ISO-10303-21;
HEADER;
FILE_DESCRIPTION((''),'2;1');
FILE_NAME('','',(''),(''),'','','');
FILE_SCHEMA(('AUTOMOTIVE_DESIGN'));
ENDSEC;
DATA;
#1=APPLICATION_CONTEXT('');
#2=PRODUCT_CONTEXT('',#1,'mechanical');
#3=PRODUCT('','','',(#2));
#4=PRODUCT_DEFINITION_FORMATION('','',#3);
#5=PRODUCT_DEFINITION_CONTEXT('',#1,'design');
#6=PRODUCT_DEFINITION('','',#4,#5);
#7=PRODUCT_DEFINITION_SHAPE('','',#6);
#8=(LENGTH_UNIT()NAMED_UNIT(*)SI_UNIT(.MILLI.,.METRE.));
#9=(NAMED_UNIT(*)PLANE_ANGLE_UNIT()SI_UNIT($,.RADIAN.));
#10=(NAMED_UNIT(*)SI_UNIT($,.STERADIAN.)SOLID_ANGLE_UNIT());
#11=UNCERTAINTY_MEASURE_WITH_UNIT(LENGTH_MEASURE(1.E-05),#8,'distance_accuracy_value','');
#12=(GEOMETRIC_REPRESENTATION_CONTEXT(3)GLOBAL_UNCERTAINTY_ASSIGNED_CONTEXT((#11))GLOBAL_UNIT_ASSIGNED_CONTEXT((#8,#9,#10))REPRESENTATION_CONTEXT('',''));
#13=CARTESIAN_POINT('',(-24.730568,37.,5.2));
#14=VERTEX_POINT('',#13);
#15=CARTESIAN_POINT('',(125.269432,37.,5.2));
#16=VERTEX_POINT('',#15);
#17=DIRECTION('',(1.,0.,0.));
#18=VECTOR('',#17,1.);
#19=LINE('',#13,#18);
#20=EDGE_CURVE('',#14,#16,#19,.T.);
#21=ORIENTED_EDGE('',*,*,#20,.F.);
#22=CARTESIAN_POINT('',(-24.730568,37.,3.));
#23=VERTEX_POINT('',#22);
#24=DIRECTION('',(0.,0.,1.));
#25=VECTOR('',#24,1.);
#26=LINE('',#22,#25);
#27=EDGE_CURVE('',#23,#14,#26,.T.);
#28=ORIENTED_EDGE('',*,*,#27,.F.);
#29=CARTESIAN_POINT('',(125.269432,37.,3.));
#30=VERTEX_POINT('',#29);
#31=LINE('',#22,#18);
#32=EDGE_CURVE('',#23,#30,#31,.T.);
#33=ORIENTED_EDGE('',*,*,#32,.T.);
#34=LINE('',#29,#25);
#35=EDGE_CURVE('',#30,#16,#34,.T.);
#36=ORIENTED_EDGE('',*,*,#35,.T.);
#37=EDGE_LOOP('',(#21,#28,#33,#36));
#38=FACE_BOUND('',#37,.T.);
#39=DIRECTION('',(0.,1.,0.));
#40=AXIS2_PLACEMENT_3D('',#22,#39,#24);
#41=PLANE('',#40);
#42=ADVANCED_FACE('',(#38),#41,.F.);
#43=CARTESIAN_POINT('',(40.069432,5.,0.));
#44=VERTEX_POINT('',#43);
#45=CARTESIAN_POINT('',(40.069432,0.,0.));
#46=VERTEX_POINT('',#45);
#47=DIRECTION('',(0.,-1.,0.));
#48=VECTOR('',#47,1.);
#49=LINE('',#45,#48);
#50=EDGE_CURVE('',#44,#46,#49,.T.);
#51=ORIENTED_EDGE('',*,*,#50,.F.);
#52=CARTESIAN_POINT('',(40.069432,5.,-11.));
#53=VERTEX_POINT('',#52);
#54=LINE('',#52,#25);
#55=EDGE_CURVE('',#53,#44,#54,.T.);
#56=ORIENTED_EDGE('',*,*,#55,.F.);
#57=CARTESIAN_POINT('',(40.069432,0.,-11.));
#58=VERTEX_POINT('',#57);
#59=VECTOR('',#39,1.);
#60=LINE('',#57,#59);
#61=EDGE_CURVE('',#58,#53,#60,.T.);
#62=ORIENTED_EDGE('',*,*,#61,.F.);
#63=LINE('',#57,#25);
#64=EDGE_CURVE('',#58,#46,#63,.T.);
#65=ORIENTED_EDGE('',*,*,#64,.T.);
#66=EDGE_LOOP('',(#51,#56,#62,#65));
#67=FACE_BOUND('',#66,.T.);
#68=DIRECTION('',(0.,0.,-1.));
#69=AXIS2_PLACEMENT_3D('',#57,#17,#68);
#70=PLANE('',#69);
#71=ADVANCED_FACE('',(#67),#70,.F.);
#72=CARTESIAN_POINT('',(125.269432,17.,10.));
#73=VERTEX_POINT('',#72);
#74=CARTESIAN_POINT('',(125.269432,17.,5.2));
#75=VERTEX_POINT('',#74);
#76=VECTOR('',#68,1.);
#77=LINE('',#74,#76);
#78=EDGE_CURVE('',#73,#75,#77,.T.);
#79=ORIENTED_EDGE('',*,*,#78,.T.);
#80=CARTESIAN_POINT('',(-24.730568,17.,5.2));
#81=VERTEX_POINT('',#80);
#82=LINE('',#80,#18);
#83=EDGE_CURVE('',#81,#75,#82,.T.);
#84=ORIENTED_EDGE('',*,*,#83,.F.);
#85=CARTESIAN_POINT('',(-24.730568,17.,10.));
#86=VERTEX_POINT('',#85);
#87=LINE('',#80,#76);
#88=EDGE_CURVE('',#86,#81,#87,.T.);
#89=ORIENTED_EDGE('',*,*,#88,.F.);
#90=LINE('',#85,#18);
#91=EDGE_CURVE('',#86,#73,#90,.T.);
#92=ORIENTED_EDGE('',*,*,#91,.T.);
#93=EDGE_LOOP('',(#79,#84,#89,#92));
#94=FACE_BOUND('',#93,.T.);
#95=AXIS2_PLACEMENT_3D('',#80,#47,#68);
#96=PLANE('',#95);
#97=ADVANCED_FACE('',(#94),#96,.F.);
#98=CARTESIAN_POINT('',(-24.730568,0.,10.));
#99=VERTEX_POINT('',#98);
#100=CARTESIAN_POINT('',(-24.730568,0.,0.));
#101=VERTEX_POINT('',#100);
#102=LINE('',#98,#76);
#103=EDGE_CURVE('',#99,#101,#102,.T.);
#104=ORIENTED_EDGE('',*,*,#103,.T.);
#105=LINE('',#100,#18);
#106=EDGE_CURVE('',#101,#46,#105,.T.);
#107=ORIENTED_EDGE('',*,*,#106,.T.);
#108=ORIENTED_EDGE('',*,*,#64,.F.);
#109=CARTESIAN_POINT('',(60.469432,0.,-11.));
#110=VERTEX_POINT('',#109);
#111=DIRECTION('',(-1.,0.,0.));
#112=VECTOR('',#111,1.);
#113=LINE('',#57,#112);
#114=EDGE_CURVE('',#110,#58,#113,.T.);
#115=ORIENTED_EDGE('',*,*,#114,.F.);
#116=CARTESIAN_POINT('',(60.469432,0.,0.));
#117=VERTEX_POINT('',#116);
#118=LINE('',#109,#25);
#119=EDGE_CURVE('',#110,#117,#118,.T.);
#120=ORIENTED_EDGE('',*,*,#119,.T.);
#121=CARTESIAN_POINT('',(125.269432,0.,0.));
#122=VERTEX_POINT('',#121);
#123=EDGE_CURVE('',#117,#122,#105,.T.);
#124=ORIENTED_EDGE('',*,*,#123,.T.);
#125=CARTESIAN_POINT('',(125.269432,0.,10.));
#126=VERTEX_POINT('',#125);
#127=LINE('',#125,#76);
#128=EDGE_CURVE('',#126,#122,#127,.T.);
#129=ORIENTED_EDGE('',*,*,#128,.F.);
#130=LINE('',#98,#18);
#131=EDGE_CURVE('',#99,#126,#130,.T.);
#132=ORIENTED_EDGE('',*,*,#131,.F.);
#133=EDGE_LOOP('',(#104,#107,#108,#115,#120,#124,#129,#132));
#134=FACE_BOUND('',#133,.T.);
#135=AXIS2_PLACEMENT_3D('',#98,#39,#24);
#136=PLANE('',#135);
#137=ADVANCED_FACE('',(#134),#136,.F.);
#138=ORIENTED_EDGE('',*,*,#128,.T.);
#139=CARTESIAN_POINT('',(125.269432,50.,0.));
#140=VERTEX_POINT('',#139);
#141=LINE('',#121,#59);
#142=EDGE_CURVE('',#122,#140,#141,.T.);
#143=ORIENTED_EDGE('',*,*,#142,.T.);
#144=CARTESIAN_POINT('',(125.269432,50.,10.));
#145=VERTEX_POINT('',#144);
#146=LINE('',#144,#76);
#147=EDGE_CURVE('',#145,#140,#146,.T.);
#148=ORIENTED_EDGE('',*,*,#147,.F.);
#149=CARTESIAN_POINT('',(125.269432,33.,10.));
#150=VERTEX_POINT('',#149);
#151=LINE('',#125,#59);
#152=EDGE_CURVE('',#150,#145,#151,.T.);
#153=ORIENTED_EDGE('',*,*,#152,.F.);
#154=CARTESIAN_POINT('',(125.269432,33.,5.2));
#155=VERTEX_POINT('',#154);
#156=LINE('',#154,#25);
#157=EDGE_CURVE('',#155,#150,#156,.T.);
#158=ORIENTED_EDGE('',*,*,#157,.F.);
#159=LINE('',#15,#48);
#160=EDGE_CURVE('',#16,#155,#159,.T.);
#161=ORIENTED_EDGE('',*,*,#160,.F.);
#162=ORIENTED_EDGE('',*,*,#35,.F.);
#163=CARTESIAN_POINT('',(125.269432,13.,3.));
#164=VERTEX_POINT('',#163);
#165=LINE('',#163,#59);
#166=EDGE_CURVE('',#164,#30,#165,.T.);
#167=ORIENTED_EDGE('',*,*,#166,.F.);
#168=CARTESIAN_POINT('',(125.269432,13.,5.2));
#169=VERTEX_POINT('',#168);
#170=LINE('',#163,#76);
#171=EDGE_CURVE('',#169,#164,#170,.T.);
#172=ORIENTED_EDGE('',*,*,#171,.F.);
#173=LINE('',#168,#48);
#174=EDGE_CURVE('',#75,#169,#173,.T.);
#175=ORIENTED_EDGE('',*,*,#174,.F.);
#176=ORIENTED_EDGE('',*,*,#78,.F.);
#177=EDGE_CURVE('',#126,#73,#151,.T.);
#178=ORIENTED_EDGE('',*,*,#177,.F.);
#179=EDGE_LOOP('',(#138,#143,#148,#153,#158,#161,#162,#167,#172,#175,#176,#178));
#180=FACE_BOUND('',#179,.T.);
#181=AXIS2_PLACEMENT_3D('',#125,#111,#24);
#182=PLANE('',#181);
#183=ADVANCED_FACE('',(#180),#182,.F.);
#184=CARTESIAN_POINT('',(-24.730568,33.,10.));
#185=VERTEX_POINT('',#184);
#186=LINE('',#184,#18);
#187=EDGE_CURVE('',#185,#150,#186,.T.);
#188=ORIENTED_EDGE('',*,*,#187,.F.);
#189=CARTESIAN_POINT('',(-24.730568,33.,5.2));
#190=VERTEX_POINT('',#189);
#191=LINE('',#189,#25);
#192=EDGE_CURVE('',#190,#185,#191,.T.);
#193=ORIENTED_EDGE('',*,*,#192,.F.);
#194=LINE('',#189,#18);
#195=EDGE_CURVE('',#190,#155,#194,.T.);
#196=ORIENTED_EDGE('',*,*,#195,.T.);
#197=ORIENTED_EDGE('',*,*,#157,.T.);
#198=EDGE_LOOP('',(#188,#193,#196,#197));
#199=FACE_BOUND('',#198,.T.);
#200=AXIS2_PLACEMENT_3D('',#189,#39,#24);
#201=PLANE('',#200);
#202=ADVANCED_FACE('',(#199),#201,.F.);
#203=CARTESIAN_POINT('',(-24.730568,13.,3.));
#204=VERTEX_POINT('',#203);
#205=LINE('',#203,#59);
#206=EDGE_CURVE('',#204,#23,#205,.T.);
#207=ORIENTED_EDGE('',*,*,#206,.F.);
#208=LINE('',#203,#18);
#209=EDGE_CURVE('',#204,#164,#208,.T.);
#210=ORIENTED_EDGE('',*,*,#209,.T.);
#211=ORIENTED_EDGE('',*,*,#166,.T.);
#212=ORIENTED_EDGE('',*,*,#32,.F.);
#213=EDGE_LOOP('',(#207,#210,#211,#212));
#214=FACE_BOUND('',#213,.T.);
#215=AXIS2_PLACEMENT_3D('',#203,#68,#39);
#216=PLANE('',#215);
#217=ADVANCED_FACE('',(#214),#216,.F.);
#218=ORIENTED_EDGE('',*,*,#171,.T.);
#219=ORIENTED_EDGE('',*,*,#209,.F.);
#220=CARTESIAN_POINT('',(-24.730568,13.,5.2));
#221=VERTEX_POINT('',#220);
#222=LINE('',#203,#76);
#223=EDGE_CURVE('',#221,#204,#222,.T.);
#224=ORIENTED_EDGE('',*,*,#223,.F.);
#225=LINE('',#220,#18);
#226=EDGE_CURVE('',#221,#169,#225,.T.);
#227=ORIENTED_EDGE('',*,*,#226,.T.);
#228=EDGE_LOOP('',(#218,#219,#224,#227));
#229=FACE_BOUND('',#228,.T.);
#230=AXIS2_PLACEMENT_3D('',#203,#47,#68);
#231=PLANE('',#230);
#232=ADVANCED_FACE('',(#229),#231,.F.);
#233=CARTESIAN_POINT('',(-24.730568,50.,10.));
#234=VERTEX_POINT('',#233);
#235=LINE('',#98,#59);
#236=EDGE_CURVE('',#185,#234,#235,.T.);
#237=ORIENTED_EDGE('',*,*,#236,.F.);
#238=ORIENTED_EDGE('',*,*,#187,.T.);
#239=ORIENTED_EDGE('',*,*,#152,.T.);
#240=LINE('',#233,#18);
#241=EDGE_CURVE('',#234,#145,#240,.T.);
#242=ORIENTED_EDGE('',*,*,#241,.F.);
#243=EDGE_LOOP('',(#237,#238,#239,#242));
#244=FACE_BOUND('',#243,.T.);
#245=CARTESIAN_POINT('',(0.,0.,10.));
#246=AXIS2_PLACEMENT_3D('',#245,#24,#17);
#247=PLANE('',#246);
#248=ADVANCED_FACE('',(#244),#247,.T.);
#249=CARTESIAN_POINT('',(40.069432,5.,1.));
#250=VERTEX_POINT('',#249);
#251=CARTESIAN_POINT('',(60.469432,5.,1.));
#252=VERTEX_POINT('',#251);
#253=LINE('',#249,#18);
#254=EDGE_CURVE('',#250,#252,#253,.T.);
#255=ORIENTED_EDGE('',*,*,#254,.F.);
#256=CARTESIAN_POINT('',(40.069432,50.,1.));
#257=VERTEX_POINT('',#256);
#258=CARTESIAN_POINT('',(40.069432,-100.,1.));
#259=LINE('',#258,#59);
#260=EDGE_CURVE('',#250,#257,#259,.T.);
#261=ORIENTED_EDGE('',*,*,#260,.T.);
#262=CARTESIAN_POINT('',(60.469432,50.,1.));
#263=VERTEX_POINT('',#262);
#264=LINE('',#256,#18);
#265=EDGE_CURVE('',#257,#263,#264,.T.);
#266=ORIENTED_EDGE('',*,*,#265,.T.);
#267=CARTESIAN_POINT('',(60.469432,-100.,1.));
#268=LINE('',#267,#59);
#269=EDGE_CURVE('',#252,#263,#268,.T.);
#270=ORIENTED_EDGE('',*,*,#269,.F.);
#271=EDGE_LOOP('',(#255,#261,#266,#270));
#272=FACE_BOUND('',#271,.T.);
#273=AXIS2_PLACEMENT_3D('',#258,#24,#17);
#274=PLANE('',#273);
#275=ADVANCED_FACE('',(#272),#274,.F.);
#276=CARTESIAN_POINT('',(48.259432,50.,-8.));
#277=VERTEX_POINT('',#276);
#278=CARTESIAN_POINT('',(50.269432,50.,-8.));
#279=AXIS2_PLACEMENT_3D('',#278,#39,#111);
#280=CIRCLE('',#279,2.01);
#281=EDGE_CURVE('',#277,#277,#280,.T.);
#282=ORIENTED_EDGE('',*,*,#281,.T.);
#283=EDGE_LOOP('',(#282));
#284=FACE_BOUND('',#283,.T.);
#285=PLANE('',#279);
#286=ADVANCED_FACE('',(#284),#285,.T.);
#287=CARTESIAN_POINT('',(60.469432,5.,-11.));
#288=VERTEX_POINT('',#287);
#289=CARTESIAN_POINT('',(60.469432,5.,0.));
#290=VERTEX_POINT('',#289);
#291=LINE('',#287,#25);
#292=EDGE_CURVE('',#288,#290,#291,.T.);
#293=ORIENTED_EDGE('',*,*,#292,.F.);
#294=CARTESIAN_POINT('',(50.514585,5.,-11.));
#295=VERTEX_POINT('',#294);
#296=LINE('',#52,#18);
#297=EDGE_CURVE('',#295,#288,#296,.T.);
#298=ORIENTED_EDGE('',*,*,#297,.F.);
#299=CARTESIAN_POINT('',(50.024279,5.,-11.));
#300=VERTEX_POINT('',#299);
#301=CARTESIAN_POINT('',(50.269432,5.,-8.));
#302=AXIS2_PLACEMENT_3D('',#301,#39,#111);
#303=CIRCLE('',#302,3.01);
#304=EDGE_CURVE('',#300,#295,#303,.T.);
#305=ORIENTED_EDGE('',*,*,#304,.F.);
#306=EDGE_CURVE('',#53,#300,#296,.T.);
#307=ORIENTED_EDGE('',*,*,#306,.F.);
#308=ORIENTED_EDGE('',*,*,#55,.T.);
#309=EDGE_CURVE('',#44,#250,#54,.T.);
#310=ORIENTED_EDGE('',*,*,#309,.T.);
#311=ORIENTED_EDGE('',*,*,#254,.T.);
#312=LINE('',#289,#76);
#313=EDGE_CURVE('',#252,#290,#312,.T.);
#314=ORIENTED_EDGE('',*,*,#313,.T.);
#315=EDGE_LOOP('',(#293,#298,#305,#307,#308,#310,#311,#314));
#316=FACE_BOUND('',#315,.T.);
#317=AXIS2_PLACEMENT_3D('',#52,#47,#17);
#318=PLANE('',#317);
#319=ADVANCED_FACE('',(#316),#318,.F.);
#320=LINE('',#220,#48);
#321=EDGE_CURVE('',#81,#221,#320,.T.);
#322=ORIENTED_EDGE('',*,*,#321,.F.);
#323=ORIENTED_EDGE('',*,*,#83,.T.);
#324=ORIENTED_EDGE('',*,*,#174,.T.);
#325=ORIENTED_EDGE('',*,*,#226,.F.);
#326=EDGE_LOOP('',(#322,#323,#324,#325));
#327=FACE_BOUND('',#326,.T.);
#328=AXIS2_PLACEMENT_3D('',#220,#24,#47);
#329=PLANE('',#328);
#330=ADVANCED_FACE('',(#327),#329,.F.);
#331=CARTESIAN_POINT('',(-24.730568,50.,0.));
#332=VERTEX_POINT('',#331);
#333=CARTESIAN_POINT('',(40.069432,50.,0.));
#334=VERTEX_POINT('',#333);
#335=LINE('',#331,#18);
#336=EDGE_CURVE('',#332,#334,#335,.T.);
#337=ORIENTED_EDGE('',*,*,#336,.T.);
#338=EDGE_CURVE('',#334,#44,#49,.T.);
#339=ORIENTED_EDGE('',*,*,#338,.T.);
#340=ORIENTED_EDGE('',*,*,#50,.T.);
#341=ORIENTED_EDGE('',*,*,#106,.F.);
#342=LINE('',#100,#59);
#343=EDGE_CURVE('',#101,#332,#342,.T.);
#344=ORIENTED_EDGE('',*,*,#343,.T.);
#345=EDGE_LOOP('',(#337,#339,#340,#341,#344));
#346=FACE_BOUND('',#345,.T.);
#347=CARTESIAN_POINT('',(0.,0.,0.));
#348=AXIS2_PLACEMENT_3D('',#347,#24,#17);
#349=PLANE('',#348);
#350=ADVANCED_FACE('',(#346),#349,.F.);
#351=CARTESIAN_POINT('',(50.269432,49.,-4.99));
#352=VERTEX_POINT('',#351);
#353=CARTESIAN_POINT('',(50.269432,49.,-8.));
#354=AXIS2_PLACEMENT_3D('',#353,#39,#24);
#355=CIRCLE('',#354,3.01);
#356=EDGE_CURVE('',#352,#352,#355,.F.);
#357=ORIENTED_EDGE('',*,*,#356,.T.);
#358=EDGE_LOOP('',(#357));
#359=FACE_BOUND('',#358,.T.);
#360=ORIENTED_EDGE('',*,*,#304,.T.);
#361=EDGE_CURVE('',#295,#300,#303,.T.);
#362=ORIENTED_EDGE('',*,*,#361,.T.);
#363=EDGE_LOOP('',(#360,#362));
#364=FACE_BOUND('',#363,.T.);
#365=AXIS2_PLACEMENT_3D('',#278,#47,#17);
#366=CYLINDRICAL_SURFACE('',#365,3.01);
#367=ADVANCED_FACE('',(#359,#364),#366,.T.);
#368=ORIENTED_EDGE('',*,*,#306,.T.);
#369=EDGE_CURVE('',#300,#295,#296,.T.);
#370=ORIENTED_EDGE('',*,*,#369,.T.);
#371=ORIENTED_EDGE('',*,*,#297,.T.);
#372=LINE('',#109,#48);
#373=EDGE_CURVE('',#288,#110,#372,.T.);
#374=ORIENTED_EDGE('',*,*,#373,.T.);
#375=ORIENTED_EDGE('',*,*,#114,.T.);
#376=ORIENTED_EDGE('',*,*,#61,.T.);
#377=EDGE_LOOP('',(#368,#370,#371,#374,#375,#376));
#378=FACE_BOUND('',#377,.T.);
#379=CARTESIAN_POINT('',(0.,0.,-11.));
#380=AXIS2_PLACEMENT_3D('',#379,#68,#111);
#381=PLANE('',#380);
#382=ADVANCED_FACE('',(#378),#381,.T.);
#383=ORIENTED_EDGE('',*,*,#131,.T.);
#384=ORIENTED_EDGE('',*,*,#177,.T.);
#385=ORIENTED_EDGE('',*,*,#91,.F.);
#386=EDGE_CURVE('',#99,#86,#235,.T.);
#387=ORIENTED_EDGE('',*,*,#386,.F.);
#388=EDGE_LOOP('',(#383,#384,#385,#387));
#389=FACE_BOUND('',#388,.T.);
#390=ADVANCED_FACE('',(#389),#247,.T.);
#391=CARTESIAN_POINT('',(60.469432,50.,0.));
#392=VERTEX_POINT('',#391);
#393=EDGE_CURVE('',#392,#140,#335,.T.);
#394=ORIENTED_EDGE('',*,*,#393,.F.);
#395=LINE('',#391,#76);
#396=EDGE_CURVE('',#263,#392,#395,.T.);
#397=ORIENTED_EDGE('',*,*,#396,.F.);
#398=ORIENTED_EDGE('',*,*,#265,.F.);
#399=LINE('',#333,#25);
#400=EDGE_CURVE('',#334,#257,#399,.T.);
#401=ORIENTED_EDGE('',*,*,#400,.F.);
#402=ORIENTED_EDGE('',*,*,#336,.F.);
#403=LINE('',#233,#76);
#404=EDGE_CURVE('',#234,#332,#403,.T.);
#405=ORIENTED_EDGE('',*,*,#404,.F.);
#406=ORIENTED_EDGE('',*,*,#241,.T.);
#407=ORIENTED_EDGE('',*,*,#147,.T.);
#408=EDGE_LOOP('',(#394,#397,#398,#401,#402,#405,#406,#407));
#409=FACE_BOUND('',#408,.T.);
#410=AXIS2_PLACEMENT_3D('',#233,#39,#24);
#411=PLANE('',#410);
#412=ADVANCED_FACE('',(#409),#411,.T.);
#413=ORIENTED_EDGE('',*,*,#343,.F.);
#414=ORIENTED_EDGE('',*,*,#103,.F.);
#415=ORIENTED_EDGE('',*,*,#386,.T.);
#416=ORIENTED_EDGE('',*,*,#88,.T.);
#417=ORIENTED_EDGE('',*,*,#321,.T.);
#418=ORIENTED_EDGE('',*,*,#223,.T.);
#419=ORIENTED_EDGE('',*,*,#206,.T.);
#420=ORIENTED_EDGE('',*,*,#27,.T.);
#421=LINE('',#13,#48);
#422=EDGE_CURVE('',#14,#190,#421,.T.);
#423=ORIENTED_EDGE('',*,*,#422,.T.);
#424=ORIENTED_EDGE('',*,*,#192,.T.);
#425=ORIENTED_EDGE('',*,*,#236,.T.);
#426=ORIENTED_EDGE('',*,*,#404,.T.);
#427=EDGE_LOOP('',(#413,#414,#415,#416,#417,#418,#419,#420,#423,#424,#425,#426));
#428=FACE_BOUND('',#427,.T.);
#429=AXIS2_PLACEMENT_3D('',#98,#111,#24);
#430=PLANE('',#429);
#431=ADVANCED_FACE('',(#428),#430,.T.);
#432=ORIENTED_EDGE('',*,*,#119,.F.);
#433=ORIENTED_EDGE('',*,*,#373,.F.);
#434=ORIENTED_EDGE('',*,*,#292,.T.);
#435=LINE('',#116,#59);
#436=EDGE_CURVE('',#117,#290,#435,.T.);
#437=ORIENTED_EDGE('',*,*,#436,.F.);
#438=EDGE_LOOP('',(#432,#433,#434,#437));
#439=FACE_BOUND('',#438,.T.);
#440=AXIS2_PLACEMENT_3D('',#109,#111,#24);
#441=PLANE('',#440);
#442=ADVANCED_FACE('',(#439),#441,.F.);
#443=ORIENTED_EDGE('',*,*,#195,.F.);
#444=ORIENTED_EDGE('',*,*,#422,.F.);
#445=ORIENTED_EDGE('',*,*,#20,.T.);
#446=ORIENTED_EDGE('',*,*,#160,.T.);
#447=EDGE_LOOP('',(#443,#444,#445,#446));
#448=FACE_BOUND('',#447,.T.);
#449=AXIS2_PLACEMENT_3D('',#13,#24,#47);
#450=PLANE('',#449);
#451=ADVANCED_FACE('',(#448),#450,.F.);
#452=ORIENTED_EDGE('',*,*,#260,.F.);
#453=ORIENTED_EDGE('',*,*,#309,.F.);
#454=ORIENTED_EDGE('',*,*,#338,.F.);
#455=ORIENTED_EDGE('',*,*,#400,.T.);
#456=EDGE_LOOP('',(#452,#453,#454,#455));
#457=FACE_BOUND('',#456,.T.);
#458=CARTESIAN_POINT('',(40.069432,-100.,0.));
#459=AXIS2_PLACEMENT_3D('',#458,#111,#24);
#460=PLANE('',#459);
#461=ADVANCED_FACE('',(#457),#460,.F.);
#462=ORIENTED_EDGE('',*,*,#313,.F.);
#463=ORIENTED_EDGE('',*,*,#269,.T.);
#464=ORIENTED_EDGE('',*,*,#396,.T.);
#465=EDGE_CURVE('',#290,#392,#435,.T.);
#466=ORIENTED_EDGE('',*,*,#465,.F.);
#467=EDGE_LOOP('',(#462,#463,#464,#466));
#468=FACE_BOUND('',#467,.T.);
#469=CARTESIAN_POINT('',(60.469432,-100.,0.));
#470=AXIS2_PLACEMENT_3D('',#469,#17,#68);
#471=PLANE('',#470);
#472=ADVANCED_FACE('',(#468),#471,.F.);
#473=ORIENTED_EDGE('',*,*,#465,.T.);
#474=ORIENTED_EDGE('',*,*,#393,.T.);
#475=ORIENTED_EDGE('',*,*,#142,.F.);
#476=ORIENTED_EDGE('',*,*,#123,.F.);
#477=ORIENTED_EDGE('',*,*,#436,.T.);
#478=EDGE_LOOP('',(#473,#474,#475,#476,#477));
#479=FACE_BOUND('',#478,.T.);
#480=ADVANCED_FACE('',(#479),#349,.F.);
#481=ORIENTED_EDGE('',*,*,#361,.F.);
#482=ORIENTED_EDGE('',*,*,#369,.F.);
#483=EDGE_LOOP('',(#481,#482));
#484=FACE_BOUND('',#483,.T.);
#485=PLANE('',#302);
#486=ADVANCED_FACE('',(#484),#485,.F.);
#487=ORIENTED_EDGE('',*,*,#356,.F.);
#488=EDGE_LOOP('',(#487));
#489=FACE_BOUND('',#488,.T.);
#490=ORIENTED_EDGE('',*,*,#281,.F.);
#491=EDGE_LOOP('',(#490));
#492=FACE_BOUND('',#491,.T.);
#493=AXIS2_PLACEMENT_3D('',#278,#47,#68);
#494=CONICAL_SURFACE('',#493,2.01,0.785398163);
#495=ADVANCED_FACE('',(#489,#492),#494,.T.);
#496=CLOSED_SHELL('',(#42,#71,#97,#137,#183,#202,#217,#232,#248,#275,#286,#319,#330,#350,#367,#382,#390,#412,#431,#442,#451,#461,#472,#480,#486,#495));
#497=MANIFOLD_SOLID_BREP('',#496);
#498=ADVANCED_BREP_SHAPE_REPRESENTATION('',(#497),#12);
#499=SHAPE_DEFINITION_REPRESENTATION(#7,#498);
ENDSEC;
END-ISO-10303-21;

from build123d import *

# Parameters (mm, degrees)
SKETCH_1_W          = 150
SKETCH_1_H          = 50
EXTRUDE_1_DEPTH     = 10
CUT_EXTRUDE_1_DEPTH = 150
SKETCH_3_W          = 20.4
SKETCH_3_H          = 1
CUT_EXTRUDE_2_DEPTH = 150
SKETCH_4_W          = 20.4
SKETCH_4_H          = 5
EXTRUDE_2_DEPTH     = 12
SKETCH_5_R          = 3.01
EXTRUDE_3_DEPTH     = 45
CHAMFER_2_SIZE      = 1


with BuildPart() as part:
    # 草图1 → 凸台-拉伸1 (new body)
    with BuildSketch(Plane.XY):
        with Locations((50.269431659, 25)):
            Rectangle(SKETCH_1_W, SKETCH_1_H)
    extrude(amount=EXTRUDE_1_DEPTH)

    # 草图2 → 切除-拉伸1 (cut)
    with BuildSketch(Plane(origin=(125.269431659, 0, 0), x_dir=(0, 0, -1), z_dir=(1, 0, 0))):
        Polygon((-3, 13), (-3, 37), (-5.2, 37), (-5.2, 33), (-10, 33), (-10, 17), (-5.2, 17), (-5.2, 13), align=None)
    extrude(amount=-CUT_EXTRUDE_1_DEPTH, mode=Mode.SUBTRACT)

    # 草图3 → 切除-拉伸2 (cut)
    with BuildSketch(Plane(origin=(0, 50, 0), x_dir=(1, 0, 0), z_dir=(0, 1, 0))):
        with Locations((50.269431659, -0.5)):
            Rectangle(SKETCH_3_W, SKETCH_3_H)
    extrude(amount=-CUT_EXTRUDE_2_DEPTH, mode=Mode.SUBTRACT)

    # 草图4 → 凸台-拉伸2 (add)
    with BuildSketch(Plane(origin=(0, 0, 1), x_dir=(-1, 0, 0), z_dir=(0, 0, -1))):
        with Locations((-50.269431659, 2.5)):
            Rectangle(SKETCH_4_W, SKETCH_4_H)
    extrude(amount=EXTRUDE_2_DEPTH)

    # 草图5 → 凸台-拉伸3 (add)
    with BuildSketch(Plane(origin=(0, 5, 0), x_dir=(1, 0, 0), z_dir=(0, 1, 0))):
        with Locations((50.269431659, 8)):
            Circle(SKETCH_5_R)
    extrude(amount=EXTRUDE_3_DEPTH)

    # 倒角2
    chamfer_2_edges = [part.edges().sort_by_distance(p)[0] for p in [
        (47.259431659, 50, -8),
    ]]
    chamfer(chamfer_2_edges, length=CHAMFER_2_SIZE)


solid = part.part
